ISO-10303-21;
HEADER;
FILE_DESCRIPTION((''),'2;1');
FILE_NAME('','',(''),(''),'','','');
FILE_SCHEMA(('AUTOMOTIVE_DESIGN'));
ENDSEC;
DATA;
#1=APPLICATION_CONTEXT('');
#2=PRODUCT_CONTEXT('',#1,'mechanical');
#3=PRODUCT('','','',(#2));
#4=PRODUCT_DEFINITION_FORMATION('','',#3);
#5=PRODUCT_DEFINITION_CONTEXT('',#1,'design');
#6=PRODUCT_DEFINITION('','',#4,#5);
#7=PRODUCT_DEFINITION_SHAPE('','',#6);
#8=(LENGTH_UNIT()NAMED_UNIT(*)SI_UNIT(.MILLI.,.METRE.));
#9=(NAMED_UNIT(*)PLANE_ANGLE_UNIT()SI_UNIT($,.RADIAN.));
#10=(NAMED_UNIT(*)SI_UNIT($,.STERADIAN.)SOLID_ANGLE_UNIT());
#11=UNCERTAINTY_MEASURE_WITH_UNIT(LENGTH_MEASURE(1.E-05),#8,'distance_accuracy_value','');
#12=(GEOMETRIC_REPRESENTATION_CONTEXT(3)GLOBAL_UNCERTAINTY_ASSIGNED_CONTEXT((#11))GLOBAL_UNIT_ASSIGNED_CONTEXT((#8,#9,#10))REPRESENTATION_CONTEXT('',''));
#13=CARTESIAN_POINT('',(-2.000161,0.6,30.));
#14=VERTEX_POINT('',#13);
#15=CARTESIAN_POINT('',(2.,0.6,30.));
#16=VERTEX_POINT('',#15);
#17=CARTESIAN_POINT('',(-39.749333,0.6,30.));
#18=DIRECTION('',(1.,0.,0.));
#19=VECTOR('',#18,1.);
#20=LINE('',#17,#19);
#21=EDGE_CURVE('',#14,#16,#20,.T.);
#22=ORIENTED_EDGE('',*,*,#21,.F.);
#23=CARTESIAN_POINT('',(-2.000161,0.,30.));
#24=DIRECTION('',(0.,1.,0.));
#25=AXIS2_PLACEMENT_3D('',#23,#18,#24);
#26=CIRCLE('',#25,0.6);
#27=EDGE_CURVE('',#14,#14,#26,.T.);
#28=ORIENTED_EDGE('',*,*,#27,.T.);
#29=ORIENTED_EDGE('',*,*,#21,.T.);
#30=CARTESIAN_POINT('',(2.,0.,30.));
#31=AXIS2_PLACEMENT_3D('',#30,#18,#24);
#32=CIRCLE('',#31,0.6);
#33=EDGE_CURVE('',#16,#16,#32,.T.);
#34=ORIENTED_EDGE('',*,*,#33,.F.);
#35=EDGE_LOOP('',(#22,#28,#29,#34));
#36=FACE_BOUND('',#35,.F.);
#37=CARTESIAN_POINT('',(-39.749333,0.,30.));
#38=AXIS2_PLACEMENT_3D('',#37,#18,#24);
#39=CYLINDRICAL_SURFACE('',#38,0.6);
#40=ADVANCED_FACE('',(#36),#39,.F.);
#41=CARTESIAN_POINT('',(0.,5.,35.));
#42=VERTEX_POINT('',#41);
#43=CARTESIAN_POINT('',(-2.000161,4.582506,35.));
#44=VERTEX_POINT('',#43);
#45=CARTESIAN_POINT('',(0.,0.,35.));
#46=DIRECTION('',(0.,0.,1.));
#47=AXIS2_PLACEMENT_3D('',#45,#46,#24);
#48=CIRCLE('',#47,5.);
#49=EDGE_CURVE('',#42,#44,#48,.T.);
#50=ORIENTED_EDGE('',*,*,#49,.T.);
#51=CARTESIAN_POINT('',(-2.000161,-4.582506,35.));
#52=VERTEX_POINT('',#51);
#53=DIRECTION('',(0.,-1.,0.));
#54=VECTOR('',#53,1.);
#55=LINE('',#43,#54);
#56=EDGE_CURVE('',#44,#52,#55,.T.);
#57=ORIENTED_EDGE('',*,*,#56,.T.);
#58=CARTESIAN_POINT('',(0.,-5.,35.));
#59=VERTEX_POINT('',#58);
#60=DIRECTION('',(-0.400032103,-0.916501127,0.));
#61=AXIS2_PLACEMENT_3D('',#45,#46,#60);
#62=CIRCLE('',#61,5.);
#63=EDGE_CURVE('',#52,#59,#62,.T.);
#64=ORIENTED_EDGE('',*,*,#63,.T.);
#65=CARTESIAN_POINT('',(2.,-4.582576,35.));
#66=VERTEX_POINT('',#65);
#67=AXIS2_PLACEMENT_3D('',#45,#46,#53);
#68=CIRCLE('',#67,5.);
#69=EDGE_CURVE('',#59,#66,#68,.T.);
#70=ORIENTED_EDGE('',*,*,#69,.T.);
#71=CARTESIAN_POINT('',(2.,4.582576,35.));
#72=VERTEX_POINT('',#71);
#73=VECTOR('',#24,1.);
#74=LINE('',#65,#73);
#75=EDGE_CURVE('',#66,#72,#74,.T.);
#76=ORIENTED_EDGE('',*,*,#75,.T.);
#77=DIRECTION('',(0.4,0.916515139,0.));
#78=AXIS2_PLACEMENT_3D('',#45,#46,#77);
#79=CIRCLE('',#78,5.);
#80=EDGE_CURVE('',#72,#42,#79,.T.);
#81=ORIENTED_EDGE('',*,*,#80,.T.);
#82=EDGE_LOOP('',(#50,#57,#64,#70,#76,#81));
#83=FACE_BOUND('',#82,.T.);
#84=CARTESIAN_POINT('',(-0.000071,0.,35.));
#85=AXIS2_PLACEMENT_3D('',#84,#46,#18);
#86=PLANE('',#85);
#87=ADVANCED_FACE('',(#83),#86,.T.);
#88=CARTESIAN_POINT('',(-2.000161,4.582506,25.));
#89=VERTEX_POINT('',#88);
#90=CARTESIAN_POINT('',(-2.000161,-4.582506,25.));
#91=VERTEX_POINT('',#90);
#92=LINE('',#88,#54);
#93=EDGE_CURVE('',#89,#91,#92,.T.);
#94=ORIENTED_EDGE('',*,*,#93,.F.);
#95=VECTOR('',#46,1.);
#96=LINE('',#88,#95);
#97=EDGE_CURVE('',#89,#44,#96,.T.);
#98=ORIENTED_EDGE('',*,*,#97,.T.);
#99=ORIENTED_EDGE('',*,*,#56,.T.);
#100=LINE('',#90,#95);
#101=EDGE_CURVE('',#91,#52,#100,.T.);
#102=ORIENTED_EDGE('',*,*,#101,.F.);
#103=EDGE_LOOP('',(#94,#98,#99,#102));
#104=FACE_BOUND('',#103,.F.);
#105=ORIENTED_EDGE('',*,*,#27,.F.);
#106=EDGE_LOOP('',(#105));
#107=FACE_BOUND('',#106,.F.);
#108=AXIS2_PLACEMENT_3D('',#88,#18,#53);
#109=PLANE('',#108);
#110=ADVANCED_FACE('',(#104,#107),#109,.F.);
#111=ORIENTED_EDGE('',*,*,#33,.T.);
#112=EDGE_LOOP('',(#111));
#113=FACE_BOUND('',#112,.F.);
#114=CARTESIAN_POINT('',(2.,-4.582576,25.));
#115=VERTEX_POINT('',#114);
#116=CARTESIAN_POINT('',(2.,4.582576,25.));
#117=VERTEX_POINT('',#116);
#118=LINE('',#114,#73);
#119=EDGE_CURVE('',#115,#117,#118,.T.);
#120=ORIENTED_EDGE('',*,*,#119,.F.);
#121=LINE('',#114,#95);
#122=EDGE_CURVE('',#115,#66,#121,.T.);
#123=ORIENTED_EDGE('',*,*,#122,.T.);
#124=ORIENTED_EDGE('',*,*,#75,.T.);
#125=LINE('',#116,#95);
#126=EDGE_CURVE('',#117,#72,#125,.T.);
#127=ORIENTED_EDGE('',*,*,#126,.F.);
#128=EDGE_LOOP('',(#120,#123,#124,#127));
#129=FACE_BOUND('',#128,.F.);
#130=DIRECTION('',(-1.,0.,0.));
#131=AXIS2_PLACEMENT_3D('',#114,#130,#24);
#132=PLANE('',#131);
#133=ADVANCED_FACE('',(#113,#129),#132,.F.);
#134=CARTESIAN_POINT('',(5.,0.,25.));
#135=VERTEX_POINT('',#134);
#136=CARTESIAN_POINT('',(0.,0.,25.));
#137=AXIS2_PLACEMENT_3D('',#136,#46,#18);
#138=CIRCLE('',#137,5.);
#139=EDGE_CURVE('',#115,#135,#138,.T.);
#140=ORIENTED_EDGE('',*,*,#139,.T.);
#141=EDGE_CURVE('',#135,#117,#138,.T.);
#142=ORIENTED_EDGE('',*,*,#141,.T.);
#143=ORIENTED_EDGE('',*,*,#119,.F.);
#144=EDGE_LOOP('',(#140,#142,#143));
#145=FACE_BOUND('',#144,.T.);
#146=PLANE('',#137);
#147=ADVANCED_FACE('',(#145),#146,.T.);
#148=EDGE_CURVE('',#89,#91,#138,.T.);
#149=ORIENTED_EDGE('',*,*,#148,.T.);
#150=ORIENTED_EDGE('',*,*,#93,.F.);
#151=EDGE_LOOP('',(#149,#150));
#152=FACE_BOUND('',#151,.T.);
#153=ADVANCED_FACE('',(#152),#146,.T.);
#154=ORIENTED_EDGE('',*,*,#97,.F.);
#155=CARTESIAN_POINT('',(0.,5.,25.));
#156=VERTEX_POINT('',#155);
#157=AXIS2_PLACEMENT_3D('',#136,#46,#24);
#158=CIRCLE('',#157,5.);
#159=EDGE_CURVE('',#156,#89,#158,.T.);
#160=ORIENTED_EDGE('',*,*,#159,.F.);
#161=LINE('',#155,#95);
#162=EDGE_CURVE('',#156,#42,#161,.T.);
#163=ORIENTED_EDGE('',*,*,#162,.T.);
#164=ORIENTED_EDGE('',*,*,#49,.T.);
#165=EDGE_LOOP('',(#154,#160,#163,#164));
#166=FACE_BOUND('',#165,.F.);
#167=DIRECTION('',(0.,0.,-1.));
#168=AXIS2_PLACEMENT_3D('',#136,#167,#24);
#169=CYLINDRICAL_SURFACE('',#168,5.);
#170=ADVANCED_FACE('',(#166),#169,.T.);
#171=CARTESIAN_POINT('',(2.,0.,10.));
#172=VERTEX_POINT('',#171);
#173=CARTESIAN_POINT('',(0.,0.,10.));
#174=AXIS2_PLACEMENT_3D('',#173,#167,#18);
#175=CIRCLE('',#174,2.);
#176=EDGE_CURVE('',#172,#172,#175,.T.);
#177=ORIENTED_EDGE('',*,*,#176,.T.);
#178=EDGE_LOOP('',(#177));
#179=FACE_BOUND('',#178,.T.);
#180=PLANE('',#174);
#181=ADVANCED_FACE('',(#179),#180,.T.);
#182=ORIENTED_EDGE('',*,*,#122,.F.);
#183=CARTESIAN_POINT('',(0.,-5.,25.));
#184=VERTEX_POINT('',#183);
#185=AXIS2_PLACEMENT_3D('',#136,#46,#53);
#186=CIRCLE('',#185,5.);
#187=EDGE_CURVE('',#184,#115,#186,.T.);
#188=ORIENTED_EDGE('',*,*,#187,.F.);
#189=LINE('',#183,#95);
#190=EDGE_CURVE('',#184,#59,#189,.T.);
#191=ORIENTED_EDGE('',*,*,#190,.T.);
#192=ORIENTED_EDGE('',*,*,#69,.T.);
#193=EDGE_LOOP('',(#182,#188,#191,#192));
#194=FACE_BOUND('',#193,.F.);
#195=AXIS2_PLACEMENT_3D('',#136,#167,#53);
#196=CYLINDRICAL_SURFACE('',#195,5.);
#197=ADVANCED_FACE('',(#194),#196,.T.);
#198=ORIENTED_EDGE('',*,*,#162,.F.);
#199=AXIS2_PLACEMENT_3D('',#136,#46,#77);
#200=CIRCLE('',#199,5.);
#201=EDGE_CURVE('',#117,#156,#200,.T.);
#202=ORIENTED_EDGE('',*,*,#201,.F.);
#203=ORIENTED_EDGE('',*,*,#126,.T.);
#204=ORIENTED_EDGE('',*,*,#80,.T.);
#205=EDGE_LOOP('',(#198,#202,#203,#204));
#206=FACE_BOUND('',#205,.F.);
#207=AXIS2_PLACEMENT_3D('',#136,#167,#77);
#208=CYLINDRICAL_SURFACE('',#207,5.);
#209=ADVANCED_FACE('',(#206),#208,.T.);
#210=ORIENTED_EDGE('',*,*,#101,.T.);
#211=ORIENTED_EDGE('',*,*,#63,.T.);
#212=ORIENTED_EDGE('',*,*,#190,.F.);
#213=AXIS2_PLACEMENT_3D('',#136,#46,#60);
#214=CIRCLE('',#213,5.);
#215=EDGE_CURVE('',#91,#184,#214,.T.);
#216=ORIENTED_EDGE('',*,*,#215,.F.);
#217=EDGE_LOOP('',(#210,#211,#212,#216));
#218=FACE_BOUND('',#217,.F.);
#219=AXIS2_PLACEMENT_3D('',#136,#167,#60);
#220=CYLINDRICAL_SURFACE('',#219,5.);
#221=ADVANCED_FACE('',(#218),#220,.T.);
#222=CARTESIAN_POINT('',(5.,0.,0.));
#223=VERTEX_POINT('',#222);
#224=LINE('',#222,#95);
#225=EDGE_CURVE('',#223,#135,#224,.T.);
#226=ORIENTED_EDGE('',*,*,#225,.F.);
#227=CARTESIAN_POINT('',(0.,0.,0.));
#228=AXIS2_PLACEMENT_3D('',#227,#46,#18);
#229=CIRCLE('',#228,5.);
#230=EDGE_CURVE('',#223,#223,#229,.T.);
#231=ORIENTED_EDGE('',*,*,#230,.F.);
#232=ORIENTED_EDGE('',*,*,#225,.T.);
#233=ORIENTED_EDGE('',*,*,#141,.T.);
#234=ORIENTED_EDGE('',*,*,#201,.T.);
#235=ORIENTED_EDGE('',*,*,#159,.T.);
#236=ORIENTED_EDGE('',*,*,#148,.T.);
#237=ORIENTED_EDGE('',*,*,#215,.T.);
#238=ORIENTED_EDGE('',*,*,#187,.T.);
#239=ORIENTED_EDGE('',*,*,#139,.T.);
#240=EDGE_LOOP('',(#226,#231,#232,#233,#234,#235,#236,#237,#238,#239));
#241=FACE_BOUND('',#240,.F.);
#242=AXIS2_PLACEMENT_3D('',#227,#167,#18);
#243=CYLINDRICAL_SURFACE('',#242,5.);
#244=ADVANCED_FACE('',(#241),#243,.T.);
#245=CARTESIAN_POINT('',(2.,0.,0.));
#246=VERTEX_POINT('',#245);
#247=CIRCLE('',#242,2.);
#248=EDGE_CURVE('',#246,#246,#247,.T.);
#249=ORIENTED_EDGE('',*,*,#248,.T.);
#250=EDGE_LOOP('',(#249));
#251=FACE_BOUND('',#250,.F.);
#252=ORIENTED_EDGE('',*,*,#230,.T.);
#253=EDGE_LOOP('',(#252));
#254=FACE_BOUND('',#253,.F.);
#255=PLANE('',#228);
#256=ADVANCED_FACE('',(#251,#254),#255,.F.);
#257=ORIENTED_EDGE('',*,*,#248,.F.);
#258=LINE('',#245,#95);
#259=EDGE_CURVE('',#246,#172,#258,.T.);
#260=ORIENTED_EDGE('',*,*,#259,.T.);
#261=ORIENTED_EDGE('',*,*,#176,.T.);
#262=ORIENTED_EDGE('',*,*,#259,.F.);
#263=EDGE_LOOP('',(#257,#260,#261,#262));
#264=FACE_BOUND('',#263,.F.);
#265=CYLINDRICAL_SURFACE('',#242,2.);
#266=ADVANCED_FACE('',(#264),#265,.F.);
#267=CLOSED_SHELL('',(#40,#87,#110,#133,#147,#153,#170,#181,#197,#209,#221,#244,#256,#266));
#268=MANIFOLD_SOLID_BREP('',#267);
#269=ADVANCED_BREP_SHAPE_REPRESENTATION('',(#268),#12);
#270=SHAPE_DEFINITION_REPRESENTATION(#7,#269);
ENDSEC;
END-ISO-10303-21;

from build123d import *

# Parameters (mm, degrees)
F0_R     = 5
F1_DEPTH = 25
F2_R     = 2
F3_DEPTH = 10
F5_DEPTH = 10
F7_D     = 1.2


with BuildPart() as f1:
    # F0 (on Top) → F1 (new body)
    with BuildSketch(Plane.XY):
        Circle(F0_R)
    extrude(amount=F1_DEPTH)

    # F2 (on face) → F3 (cut)
    with BuildSketch(Plane(origin=(0, 0, 0), x_dir=(1, 0, 0), z_dir=(0, 0, -1))):
        Circle(F2_R)
    extrude(amount=-F3_DEPTH, mode=Mode.SUBTRACT)

    # F4 (on face) → F5 (join)
    with BuildSketch(Plane.XY.offset(25)):
        with BuildLine():
            ThreePointArc((2, 4.582575695), (1.0215482184, 4.8945315647), (0, 5))
            ThreePointArc((0, 5), (-1.0216339401, 4.8945136727), (-2.0001605153, 4.582505637))
            Line((-2.0001605153, 4.582505637), (-2.0001605153, -4.582505637))
            ThreePointArc((-2.0001605153, -4.582505637), (-1.0216339401, -4.8945136727), (0, -5))
            ThreePointArc((0, -5), (1.0215482184, -4.8945315647), (2, -4.582575695))
            Line((2, -4.582575695), (2, 4.582575695))
        make_face()
    extrude(amount=F5_DEPTH)

    # F7 (through all)
    with Locations(Plane(origin=(-2.0001605153, 0, 0), x_dir=(0, -1, 0), z_dir=(-1, 0, 0))):
        with Locations((0, 30)):
            Hole(F7_D / 2)


solid = f1.part
